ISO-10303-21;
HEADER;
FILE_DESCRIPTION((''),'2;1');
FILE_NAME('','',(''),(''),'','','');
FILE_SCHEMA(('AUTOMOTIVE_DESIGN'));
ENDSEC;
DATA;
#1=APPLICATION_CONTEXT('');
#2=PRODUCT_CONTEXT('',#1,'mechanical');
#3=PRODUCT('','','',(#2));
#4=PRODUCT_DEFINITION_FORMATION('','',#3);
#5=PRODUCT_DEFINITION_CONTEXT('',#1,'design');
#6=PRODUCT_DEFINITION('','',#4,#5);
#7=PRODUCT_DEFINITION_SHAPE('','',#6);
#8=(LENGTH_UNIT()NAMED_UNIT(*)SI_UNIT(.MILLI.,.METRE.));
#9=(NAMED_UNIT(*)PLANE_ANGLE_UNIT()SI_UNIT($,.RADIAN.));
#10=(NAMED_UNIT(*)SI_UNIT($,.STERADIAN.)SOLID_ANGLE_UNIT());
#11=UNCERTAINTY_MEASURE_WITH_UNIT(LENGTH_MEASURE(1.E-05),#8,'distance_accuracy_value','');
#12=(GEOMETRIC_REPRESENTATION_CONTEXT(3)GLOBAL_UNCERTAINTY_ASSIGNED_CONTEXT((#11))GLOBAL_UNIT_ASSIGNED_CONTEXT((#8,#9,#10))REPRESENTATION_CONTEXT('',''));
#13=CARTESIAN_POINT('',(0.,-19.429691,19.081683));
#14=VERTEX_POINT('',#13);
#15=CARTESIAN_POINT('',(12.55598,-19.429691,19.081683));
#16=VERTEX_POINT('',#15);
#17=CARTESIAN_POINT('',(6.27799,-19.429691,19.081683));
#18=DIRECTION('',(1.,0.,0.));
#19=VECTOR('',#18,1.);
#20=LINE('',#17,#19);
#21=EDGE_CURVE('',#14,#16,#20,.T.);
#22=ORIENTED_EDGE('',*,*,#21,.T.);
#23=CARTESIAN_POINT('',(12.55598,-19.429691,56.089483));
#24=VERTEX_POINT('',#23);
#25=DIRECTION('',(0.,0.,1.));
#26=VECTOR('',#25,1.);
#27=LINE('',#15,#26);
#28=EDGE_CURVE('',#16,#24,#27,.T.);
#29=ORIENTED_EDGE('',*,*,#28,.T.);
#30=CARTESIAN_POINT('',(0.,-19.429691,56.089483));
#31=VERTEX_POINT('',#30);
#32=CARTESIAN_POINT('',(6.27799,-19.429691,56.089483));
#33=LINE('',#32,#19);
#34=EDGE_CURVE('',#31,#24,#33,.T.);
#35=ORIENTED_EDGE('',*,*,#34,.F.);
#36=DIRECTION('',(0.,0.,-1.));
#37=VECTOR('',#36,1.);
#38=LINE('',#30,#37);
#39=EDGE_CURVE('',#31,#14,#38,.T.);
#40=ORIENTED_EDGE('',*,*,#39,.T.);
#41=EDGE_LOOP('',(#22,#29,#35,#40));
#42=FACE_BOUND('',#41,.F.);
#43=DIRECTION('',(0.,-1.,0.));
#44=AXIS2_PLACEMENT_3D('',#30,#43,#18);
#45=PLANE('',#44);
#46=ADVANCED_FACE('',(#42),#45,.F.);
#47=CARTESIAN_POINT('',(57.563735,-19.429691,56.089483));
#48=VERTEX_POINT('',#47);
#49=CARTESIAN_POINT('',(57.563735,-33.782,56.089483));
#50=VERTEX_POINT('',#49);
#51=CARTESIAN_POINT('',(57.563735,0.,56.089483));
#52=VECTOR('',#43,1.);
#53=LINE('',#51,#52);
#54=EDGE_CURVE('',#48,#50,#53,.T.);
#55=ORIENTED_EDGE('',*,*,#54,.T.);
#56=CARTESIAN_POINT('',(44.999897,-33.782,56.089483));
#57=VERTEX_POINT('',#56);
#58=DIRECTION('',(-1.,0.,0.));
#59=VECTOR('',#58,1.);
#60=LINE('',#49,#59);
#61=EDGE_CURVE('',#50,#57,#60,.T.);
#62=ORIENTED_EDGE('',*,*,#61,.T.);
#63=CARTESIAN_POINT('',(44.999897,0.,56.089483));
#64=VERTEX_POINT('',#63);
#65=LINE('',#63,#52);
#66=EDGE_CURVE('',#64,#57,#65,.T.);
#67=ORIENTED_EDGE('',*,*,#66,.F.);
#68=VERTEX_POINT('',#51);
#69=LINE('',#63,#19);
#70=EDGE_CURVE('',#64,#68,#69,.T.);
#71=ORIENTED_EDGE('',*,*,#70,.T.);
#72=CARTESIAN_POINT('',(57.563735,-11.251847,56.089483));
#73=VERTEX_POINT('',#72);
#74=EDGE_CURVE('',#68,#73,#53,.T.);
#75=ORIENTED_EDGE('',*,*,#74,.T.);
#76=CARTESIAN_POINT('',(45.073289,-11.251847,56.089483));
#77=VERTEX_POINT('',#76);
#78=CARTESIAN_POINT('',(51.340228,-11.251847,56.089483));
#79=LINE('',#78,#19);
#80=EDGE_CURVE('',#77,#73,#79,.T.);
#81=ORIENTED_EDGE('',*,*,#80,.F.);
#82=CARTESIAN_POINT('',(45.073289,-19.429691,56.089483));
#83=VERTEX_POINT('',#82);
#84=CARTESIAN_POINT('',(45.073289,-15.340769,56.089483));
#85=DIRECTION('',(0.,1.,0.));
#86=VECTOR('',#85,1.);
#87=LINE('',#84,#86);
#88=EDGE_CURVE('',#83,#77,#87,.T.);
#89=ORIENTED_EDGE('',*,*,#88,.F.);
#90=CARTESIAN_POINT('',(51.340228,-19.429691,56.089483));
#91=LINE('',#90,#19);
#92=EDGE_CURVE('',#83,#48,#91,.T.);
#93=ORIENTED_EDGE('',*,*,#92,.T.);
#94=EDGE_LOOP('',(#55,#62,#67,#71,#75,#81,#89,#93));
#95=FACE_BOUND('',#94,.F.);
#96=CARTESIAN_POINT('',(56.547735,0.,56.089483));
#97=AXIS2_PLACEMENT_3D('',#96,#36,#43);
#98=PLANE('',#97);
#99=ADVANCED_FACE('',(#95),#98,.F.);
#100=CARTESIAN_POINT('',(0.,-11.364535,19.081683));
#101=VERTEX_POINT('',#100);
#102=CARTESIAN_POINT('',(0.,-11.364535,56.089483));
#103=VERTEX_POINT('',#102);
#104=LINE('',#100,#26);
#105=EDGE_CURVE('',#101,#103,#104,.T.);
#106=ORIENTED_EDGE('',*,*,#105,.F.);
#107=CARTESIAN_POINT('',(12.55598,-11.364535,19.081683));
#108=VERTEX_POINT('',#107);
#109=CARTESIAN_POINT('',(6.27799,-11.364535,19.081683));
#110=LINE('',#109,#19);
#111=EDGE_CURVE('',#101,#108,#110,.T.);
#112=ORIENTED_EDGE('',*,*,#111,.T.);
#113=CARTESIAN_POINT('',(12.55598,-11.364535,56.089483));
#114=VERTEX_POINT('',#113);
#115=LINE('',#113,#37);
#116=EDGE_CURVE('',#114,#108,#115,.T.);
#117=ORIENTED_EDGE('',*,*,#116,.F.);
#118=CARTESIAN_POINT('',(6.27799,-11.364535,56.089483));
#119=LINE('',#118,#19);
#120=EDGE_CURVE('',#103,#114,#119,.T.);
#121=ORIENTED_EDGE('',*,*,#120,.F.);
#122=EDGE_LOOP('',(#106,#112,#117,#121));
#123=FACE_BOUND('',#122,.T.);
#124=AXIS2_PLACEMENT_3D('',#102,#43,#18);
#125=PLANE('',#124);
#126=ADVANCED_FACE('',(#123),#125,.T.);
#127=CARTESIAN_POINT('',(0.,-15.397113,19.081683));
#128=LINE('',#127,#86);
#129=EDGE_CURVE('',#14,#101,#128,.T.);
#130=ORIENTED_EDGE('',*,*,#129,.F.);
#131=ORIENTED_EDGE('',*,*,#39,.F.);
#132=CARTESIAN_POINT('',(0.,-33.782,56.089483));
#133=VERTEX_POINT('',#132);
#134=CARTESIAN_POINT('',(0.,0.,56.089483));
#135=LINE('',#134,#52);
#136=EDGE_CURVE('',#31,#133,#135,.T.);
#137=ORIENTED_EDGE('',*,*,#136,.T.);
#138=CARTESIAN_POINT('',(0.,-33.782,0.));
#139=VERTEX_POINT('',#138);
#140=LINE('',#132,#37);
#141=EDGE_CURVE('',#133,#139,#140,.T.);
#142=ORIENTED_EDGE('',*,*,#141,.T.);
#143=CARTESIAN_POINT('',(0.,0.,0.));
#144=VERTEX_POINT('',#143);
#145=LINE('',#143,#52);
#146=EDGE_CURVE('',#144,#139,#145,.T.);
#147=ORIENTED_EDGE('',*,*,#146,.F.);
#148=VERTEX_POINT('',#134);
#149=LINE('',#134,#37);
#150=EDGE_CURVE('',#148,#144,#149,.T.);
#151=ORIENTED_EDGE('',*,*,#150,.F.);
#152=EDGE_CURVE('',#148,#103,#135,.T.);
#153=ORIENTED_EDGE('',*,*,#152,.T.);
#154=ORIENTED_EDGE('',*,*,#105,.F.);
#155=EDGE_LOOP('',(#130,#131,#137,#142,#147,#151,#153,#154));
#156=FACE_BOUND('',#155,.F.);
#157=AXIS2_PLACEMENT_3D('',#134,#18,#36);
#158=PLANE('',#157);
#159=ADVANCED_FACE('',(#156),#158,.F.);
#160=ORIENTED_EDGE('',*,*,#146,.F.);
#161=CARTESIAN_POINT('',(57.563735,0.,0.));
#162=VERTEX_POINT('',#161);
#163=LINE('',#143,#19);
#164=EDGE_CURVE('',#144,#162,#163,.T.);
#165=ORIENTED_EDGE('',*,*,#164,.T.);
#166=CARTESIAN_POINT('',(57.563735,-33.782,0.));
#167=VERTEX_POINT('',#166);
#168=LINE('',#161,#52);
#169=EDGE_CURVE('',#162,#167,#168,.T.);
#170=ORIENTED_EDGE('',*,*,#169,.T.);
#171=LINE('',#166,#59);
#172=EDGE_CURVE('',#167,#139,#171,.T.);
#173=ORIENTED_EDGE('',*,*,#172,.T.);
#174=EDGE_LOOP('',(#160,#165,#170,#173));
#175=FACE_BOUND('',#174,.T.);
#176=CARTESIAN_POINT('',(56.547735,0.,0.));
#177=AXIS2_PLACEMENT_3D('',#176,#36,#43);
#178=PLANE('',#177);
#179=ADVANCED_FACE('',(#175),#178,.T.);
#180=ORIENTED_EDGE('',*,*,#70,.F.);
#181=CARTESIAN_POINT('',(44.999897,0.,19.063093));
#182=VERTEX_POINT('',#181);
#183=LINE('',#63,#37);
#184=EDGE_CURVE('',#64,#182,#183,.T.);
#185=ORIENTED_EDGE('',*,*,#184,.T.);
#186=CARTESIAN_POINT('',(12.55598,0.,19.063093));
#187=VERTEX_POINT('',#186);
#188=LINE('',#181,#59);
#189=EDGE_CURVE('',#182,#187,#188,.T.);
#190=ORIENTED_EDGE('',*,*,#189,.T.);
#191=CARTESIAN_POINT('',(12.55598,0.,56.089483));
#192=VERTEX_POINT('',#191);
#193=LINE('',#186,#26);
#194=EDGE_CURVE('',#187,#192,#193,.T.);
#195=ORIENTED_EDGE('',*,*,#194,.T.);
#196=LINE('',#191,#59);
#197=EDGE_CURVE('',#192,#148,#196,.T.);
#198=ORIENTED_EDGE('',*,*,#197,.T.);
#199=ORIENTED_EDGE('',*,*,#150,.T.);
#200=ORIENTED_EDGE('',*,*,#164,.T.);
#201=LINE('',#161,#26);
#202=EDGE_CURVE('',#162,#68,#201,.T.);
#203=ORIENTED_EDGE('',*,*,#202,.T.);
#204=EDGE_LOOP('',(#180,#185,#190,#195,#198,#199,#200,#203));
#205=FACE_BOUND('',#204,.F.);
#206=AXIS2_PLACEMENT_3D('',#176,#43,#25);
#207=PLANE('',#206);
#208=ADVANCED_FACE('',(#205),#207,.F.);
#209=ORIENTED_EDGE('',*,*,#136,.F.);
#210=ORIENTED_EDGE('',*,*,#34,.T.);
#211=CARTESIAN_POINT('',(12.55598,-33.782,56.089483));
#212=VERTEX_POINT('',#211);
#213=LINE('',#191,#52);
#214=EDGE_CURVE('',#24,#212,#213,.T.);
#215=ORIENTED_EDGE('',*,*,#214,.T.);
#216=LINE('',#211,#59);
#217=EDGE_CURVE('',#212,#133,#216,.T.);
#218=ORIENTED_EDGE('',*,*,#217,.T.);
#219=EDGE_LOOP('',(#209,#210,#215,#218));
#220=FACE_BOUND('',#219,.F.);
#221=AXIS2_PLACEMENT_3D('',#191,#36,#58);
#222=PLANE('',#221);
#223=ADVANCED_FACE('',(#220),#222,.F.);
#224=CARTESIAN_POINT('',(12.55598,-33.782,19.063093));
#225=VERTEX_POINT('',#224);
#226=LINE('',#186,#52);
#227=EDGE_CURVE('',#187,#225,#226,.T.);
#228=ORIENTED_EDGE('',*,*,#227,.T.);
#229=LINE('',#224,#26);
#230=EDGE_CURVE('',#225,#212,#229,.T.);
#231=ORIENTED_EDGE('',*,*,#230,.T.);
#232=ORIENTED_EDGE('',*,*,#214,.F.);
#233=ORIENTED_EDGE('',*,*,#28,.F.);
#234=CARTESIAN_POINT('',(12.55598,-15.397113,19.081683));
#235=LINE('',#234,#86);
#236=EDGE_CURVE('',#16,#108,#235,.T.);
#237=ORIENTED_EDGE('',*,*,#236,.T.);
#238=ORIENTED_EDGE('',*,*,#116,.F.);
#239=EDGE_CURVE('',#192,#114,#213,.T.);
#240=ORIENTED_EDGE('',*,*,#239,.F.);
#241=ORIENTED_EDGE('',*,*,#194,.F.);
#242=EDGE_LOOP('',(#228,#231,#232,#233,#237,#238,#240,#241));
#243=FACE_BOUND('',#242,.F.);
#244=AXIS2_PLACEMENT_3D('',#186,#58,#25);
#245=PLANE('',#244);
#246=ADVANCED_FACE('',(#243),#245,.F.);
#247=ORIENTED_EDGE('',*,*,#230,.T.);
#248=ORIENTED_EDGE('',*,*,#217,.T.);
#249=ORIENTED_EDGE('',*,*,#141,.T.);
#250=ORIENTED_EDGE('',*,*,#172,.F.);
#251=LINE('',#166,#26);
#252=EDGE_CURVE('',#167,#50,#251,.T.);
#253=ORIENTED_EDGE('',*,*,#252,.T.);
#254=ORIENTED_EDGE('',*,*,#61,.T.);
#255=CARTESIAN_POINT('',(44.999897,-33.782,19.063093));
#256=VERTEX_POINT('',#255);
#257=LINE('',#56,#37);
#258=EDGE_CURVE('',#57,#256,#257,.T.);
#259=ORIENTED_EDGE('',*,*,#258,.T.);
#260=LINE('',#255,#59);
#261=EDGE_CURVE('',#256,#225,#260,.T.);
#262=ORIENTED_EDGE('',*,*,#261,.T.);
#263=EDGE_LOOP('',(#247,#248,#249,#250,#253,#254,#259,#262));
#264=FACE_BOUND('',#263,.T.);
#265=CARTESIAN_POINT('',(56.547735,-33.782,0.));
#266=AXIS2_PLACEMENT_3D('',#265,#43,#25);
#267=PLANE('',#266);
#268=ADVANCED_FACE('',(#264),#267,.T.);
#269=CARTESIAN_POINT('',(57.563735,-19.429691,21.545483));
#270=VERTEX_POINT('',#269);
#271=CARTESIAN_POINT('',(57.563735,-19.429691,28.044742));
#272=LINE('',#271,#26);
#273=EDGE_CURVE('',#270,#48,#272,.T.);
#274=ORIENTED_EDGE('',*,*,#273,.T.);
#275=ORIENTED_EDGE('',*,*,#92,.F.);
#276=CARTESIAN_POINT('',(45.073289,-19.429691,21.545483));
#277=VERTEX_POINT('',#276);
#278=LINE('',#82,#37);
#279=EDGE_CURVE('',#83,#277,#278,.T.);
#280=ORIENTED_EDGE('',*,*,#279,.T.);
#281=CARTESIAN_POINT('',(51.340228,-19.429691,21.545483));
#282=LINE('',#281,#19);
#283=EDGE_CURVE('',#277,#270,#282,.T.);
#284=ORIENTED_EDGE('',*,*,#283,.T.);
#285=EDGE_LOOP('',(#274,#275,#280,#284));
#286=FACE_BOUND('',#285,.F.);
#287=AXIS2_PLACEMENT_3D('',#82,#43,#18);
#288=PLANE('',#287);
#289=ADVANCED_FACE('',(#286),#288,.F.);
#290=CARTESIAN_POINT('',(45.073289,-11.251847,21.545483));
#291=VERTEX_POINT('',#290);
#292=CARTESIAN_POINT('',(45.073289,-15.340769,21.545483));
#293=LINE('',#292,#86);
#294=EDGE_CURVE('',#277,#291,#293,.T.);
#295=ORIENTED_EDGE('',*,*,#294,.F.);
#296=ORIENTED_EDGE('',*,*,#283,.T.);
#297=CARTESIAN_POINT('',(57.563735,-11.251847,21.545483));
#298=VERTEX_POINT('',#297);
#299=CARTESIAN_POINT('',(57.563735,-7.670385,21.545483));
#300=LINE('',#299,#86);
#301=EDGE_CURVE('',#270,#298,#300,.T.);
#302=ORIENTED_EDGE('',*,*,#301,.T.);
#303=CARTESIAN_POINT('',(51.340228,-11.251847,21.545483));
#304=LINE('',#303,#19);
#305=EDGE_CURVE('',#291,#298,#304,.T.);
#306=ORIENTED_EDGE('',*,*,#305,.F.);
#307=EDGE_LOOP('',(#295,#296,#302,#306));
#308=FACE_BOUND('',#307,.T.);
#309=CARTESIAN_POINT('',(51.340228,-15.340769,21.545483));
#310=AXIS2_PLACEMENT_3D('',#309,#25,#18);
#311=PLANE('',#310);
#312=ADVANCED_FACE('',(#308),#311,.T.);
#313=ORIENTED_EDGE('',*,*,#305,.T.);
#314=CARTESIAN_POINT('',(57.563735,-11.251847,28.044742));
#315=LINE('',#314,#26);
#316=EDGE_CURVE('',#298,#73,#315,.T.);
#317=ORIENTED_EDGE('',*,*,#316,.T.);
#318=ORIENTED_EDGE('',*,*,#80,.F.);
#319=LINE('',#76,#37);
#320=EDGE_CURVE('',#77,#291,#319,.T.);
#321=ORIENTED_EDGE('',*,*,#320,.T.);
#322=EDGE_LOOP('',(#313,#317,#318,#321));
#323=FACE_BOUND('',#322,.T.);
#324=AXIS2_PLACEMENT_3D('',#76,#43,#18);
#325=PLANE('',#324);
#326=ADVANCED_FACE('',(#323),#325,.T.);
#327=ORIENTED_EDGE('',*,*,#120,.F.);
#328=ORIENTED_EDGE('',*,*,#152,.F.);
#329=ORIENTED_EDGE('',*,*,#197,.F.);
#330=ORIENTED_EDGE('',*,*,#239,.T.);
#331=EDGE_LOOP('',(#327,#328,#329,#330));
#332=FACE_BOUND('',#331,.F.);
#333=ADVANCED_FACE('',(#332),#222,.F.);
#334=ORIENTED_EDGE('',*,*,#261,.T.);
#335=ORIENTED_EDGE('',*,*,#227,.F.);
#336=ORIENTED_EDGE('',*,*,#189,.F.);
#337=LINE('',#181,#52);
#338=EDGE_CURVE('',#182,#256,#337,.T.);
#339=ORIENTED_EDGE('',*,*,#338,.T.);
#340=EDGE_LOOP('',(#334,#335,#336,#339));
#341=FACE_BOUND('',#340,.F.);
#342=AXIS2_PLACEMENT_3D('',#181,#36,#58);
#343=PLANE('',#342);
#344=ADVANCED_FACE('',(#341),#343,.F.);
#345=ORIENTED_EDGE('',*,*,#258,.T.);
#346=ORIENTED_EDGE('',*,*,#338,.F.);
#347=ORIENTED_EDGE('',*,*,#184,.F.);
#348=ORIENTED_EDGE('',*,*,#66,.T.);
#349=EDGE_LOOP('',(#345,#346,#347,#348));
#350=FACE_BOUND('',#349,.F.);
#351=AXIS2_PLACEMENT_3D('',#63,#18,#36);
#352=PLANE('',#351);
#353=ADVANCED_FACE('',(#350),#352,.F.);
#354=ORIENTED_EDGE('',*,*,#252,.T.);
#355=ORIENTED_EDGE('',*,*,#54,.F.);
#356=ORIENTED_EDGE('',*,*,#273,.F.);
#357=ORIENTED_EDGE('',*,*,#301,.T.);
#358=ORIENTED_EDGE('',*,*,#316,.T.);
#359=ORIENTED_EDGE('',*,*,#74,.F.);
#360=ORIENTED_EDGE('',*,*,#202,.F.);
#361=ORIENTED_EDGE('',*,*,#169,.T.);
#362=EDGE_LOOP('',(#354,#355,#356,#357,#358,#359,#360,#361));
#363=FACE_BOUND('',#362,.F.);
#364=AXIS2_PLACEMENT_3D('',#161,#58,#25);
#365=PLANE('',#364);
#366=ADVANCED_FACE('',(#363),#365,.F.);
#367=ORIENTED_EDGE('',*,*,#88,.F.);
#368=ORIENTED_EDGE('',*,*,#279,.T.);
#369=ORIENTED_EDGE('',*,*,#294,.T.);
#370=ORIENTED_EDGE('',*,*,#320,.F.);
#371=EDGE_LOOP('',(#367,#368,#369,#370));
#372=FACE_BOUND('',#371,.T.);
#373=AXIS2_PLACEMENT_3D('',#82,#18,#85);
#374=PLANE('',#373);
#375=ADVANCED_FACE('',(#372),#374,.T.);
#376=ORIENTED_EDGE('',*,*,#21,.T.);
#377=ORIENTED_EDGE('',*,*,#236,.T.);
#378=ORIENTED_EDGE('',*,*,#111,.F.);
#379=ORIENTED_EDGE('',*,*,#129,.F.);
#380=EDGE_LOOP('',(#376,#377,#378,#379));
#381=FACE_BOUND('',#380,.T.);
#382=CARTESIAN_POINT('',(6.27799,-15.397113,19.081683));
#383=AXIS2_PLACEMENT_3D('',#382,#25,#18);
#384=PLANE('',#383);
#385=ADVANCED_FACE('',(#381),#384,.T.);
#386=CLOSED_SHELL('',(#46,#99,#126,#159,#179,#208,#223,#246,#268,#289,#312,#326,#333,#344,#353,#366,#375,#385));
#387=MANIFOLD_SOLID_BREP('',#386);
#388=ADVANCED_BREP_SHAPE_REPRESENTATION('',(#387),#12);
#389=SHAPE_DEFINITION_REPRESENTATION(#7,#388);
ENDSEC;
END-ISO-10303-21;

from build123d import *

# Parameters (mm, degrees)
F1_DEPTH = 33.782
F2_DEPTH = 1.016
F3_W     = 12.5559801236
F3_H     = 8.0651557073
F4_DEPTH = 37.0078
F3_W_2   = 12.5338770449
F3_H_2   = 8.1778438762
F5_DEPTH = 34.544


with BuildPart() as f1:
    # F0 (on Front) → F1 (new body)
    with BuildSketch(Plane.XZ):
        Polygon((0, 56.0894832015), (0, 0), (56.5477348864, 0), (56.5477348864, 56.0894832015), (44.99989748, 56.0894832015), (44.99989748, 19.0630927682), (12.5559801236, 19.0630927682), (12.5559801236, 56.0894832015), align=None)
    extrude(amount=F1_DEPTH)

    # F2 (add): a face of the model
    f2_faces = [f1.faces().sort_by_distance(p)[0] for p in [
        (56.5477348864, -16.891, 28.0447416008),
    ]]
    extrude(f2_faces, amount=F2_DEPTH)

    # F3 (on face) → F4 (cut)
    with BuildSketch(Plane.XY.offset(56.0894832015)):
        with Locations((6.2779900618, -15.3971132822)):
            Rectangle(F3_W, F3_H)
    extrude(amount=-F4_DEPTH, mode=Mode.SUBTRACT)

    # F3 (on face) → F5 (cut)
    with BuildSketch(Plane.XY.offset(56.0894832015)):
        with Locations((6.2779900618, -15.3971132822)):
            Rectangle(F3_W, F3_H)
        with Locations((51.3402279466, -15.3407691978)):
            Rectangle(F3_W_2, F3_H_2)
    extrude(amount=-F5_DEPTH, mode=Mode.SUBTRACT)


solid = f1.part
